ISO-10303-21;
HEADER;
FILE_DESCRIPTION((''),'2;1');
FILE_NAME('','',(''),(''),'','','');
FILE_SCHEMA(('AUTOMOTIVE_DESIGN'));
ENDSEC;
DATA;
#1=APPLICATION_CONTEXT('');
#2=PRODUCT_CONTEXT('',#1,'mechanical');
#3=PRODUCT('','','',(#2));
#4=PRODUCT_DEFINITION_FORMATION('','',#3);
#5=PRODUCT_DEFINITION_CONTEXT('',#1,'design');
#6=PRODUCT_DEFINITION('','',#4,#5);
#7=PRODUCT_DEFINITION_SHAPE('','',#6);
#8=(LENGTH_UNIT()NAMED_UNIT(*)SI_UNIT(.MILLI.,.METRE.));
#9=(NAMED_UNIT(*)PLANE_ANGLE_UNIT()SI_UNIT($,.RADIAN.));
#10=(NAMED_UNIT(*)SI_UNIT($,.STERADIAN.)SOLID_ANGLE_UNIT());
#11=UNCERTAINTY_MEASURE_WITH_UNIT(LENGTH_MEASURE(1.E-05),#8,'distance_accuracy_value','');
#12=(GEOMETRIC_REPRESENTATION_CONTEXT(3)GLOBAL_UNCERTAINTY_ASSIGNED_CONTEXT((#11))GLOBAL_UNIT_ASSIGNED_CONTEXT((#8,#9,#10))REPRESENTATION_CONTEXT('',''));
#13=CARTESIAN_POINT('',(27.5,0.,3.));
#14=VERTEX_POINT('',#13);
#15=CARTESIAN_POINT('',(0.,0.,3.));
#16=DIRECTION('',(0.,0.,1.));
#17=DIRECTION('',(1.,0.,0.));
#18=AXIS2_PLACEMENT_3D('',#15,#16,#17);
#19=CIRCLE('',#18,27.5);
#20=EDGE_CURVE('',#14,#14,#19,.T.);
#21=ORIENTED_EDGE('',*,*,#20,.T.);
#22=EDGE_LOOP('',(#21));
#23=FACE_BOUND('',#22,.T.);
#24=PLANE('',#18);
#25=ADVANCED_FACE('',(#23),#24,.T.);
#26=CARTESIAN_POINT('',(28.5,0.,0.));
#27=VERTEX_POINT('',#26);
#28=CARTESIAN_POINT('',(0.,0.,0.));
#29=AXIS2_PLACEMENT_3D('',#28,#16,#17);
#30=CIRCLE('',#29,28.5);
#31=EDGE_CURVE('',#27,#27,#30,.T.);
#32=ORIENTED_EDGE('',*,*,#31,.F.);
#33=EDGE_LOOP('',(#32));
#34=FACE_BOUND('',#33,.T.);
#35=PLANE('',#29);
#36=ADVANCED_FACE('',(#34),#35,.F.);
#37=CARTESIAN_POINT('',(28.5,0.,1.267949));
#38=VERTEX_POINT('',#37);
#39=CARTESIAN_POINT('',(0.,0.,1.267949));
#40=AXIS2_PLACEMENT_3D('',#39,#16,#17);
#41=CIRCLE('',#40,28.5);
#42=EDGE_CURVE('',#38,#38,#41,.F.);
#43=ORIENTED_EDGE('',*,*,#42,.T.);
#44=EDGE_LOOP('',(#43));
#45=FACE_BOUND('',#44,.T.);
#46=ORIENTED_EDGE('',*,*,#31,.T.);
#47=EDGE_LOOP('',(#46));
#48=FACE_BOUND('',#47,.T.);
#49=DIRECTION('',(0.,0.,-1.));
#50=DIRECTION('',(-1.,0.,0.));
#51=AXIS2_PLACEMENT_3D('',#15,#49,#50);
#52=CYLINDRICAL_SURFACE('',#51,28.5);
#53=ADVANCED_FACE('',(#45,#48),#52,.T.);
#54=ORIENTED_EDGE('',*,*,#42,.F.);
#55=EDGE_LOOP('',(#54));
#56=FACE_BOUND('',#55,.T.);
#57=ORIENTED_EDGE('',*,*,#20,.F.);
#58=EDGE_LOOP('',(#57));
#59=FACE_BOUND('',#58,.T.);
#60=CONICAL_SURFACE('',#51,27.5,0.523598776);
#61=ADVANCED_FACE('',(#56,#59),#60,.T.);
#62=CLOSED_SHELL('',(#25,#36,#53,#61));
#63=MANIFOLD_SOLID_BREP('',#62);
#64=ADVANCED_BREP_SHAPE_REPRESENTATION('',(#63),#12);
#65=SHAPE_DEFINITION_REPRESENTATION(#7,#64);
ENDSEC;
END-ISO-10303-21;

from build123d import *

# Parameters (mm, degrees)
ESQUISSE1_R        = 28.5
BOSS_EXTRU_1_DEPTH = 3
CHANFREIN1_SIZE    = 1
CHANFREIN1_SIZE2   = 1.732050808


with BuildPart() as part:
    # Esquisse1 → Boss.-Extru.1 (new body)
    with BuildSketch(Plane.XY):
        Circle(ESQUISSE1_R)
    extrude(amount=BOSS_EXTRU_1_DEPTH)

    # Chanfrein1
    chanfrein1_edges = [part.edges().sort_by_distance(p)[0] for p in [
        (-28.5, 0, 3),
    ]]
    chanfrein1_side = [part.faces().sort_by_distance(p)[0] for p in [
        (0, 0, 3),
    ]]
    chamfer(chanfrein1_edges, length=CHANFREIN1_SIZE, length2=CHANFREIN1_SIZE2, reference=chanfrein1_side[0])


solid = part.part
